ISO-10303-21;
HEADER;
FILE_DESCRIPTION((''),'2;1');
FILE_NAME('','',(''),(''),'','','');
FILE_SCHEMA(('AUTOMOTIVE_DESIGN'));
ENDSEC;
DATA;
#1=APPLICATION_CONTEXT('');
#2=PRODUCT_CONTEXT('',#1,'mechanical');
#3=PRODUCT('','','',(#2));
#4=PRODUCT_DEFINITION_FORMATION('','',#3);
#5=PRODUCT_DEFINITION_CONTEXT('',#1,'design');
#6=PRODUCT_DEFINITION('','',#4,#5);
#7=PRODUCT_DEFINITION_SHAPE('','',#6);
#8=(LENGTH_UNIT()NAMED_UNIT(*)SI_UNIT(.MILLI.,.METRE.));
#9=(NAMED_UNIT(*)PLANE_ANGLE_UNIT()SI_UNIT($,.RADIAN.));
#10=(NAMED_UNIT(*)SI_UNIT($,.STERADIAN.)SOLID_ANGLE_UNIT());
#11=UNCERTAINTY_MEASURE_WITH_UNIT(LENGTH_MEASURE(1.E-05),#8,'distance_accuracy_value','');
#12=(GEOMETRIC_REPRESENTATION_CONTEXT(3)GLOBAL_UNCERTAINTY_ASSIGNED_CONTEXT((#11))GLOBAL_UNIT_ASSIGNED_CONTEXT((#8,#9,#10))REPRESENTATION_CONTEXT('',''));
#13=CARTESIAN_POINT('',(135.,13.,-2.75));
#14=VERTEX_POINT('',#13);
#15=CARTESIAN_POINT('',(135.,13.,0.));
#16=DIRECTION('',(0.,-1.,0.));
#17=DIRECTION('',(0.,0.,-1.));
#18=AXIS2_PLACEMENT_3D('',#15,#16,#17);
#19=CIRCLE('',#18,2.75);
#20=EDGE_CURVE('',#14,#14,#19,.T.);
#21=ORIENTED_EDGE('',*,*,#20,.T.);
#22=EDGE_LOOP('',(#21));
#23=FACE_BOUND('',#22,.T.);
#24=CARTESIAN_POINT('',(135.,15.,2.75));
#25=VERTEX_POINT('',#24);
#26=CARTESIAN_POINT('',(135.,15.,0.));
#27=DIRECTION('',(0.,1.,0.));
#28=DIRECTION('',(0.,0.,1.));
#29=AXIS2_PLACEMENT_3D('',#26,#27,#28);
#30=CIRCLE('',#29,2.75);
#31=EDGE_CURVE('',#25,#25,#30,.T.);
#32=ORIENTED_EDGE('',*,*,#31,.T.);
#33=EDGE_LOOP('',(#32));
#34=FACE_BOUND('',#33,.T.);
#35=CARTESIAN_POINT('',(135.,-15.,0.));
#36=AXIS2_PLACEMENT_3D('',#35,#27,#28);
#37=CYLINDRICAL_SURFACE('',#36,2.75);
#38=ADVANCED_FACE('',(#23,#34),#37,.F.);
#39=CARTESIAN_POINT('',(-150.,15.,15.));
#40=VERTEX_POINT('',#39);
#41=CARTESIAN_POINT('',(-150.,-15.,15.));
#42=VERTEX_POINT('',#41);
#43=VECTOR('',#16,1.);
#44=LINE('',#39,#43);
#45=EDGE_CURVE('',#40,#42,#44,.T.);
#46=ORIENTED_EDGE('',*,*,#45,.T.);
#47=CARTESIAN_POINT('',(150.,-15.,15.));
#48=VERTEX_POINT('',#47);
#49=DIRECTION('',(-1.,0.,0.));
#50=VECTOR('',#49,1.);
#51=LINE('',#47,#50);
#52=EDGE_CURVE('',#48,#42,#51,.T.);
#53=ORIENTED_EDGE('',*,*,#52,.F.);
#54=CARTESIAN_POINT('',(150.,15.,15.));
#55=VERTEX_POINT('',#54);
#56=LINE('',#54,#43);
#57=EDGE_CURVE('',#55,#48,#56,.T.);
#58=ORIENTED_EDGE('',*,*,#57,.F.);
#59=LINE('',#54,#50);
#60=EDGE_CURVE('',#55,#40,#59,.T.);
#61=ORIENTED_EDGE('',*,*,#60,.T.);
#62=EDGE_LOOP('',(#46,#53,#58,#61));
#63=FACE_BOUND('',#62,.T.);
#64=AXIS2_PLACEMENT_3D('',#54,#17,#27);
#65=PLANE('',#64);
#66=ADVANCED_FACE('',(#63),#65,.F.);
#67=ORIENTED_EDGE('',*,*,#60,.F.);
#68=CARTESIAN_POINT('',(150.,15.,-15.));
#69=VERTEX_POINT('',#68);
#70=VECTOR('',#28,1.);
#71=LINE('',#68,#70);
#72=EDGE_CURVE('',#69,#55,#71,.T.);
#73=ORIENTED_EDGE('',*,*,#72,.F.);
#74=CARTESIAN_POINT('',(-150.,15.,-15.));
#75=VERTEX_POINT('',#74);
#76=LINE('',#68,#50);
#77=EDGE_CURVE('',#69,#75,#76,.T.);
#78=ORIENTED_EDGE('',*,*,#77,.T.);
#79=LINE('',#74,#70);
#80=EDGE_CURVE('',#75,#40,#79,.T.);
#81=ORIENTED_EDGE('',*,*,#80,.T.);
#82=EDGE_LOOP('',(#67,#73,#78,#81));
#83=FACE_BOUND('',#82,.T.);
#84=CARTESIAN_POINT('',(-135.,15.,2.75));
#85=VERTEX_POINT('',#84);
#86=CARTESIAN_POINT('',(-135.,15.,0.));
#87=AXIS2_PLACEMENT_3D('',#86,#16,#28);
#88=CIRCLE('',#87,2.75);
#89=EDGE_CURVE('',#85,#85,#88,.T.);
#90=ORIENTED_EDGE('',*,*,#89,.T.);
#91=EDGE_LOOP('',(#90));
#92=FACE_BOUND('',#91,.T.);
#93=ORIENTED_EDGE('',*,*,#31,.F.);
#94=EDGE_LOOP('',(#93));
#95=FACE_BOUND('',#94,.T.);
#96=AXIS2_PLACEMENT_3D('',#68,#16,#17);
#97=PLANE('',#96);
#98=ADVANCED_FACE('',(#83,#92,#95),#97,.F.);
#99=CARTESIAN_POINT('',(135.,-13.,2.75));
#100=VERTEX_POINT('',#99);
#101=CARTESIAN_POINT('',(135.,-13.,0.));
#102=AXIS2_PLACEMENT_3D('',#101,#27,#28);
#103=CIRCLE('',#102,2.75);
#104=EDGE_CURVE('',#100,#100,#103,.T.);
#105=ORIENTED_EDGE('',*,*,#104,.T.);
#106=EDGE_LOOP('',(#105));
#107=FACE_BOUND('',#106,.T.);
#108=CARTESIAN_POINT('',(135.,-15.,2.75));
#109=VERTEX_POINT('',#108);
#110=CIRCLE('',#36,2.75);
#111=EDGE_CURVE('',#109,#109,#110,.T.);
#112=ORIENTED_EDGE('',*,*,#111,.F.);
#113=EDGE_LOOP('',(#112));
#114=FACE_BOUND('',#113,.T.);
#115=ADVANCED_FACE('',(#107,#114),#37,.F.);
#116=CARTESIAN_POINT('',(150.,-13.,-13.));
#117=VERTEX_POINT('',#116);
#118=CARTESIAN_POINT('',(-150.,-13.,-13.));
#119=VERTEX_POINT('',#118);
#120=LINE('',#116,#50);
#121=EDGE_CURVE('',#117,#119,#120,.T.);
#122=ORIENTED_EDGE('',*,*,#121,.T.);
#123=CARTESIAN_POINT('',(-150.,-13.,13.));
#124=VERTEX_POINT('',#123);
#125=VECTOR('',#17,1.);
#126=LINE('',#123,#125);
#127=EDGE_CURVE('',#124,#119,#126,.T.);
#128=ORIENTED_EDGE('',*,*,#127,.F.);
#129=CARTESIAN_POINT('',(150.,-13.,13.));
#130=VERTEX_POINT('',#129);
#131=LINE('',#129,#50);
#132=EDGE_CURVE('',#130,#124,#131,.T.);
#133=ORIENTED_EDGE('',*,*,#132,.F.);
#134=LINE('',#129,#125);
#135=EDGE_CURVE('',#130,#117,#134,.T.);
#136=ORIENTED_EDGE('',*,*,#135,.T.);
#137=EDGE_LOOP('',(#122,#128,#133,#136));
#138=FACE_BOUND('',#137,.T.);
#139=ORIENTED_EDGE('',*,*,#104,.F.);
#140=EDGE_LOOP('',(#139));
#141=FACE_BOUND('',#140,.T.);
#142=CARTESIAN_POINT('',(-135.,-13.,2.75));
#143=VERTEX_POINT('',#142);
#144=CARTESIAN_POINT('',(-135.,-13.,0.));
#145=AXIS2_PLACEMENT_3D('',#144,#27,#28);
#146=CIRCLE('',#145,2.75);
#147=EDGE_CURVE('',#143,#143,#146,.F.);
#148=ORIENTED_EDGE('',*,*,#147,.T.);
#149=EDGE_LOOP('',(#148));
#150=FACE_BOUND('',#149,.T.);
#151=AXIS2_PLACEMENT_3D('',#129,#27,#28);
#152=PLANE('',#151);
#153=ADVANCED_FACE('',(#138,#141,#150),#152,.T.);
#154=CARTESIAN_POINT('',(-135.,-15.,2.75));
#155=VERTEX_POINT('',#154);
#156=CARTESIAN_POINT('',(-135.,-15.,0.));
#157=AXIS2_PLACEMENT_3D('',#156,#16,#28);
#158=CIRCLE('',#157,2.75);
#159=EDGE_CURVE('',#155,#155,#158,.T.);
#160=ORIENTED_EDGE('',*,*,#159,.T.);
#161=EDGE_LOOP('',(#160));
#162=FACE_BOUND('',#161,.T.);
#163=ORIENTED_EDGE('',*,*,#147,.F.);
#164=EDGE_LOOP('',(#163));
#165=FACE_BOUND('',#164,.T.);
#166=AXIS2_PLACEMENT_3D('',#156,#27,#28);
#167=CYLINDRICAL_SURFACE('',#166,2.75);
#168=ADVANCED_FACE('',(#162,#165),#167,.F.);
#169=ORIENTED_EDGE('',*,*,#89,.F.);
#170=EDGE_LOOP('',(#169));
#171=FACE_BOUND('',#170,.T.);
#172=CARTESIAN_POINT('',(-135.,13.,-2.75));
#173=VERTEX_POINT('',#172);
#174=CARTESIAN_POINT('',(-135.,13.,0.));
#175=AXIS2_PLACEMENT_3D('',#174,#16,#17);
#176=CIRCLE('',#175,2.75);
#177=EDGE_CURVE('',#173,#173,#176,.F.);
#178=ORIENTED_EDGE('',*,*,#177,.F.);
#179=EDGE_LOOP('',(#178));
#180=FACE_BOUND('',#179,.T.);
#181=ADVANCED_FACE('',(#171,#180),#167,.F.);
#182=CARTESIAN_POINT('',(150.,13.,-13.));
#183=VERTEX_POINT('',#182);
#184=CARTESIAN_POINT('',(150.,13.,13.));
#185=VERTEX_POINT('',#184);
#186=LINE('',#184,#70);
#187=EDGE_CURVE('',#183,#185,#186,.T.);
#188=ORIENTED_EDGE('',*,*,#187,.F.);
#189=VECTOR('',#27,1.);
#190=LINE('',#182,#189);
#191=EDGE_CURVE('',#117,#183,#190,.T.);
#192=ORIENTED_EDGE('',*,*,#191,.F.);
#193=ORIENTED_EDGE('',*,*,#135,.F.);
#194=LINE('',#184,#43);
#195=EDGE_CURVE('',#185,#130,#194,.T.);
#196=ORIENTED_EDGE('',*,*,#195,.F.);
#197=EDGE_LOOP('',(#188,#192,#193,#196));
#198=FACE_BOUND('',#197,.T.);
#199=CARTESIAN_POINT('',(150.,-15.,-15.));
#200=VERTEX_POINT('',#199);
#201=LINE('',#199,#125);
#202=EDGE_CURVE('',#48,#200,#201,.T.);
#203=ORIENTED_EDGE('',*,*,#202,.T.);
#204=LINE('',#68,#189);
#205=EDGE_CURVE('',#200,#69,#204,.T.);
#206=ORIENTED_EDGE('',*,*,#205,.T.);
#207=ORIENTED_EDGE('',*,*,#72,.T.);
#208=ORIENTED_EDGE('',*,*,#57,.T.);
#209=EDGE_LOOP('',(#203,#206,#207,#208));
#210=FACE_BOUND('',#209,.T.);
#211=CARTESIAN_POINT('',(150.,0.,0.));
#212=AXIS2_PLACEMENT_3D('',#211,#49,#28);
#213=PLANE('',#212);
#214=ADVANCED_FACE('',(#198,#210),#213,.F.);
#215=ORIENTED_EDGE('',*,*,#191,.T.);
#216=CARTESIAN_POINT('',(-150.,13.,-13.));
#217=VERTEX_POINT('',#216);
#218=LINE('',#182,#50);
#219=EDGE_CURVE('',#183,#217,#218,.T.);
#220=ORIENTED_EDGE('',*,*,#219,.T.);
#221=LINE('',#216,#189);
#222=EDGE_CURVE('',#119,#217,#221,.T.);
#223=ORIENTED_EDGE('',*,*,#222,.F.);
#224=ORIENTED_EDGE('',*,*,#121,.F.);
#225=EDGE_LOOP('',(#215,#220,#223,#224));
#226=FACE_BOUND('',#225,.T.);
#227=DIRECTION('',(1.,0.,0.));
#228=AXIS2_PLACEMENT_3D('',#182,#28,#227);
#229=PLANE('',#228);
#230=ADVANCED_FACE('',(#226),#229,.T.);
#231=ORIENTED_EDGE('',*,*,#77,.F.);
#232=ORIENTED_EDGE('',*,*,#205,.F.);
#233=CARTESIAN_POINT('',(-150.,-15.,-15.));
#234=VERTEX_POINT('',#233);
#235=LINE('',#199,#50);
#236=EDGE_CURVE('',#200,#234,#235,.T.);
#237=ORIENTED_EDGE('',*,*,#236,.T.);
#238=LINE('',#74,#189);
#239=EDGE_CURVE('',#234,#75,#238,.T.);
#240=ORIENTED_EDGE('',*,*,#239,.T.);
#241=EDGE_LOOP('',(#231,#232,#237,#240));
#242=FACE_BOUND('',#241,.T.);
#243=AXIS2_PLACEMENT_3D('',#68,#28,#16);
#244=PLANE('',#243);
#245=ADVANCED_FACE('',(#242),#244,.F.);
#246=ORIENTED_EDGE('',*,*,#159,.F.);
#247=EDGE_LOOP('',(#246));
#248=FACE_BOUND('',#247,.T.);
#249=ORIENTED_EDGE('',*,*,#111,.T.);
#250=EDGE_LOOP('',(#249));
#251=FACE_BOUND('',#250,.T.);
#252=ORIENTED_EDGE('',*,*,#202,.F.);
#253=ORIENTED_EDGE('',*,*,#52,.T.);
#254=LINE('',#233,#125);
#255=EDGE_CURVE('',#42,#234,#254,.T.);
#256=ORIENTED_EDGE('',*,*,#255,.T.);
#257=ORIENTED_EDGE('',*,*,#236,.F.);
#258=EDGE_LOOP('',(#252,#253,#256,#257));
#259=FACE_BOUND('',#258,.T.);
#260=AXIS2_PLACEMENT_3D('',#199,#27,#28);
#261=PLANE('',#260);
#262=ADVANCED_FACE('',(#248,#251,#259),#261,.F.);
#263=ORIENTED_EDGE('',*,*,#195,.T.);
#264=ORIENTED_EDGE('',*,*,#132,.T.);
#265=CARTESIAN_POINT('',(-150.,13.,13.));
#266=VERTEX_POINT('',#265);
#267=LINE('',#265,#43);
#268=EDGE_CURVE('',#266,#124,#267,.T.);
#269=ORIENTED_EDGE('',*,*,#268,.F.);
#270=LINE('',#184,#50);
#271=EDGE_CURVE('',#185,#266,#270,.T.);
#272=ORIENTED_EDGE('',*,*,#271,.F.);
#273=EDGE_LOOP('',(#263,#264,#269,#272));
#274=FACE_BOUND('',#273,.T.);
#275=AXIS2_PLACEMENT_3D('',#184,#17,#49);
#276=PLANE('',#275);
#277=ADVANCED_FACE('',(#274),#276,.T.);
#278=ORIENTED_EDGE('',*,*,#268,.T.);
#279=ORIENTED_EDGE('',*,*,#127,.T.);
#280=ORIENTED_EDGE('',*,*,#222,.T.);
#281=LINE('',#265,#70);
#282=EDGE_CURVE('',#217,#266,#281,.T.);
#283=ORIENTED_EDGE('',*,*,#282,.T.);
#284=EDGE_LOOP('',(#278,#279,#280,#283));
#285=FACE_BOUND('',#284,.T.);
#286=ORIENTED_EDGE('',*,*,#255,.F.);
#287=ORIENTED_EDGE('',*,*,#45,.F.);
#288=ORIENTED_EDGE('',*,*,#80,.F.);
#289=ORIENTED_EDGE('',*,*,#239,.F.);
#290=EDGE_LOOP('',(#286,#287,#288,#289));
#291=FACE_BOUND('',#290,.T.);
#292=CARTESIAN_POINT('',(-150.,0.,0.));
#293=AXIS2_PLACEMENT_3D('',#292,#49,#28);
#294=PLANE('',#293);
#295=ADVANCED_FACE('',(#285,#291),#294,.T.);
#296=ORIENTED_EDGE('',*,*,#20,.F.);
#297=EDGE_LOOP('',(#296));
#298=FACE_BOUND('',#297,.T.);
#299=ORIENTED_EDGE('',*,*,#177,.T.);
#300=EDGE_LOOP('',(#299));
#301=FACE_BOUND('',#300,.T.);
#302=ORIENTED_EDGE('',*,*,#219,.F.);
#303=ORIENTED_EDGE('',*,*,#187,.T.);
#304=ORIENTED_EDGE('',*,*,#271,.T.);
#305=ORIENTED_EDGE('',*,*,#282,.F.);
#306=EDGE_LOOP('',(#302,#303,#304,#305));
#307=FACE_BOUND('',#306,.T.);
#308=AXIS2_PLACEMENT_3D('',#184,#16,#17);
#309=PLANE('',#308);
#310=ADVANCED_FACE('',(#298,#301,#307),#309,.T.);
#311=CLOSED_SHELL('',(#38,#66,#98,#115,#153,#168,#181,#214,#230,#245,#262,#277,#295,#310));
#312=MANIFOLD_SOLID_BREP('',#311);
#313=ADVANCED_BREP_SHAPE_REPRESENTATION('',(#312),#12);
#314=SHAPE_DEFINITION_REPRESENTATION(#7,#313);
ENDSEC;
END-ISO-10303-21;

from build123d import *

# Parameters (mm, degrees)
SKETCH1_W           = 30
SKETCH1_H           = 30
SKETCH1_W_2         = 26
SKETCH1_H_2         = 26
BOSS_EXTRUDE1_DEPTH = 150
SKETCH2_R           = 2.75
CUT_EXTRUDE1_DEPTH  = 152.492574075


with BuildPart() as part:
    # Sketch1 → Boss-Extrude1 (new, symmetric)
    with BuildSketch(Plane(origin=(0, 0, 0), x_dir=(0, 0, -1), z_dir=(1, 0, 0))):
        Rectangle(SKETCH1_W, SKETCH1_H)
        Rectangle(SKETCH1_W_2, SKETCH1_H_2, mode=Mode.SUBTRACT)
    extrude(amount=BOSS_EXTRUDE1_DEPTH, both=True)

    # Sketch2 → Cut-Extrude1 (cut, symmetric)
    with BuildSketch(Plane(origin=(0, 0, 0), x_dir=(1, 0, 0), z_dir=(0, 1, 0))):
        with Locations(Location((135, 0, 0), (0, 0, 270))):
            Circle(SKETCH2_R)
    cut_extrude1 = extrude(amount=CUT_EXTRUDE1_DEPTH, both=True, mode=Mode.SUBTRACT)

    # Mirror1: Cut-Extrude1 across plane
    add(cut_extrude1.mirror(Plane(origin=(0, 0, 0), x_dir=(0, 0, 1), z_dir=(1, 0, 0))), mode=Mode.SUBTRACT)


solid = part.part
